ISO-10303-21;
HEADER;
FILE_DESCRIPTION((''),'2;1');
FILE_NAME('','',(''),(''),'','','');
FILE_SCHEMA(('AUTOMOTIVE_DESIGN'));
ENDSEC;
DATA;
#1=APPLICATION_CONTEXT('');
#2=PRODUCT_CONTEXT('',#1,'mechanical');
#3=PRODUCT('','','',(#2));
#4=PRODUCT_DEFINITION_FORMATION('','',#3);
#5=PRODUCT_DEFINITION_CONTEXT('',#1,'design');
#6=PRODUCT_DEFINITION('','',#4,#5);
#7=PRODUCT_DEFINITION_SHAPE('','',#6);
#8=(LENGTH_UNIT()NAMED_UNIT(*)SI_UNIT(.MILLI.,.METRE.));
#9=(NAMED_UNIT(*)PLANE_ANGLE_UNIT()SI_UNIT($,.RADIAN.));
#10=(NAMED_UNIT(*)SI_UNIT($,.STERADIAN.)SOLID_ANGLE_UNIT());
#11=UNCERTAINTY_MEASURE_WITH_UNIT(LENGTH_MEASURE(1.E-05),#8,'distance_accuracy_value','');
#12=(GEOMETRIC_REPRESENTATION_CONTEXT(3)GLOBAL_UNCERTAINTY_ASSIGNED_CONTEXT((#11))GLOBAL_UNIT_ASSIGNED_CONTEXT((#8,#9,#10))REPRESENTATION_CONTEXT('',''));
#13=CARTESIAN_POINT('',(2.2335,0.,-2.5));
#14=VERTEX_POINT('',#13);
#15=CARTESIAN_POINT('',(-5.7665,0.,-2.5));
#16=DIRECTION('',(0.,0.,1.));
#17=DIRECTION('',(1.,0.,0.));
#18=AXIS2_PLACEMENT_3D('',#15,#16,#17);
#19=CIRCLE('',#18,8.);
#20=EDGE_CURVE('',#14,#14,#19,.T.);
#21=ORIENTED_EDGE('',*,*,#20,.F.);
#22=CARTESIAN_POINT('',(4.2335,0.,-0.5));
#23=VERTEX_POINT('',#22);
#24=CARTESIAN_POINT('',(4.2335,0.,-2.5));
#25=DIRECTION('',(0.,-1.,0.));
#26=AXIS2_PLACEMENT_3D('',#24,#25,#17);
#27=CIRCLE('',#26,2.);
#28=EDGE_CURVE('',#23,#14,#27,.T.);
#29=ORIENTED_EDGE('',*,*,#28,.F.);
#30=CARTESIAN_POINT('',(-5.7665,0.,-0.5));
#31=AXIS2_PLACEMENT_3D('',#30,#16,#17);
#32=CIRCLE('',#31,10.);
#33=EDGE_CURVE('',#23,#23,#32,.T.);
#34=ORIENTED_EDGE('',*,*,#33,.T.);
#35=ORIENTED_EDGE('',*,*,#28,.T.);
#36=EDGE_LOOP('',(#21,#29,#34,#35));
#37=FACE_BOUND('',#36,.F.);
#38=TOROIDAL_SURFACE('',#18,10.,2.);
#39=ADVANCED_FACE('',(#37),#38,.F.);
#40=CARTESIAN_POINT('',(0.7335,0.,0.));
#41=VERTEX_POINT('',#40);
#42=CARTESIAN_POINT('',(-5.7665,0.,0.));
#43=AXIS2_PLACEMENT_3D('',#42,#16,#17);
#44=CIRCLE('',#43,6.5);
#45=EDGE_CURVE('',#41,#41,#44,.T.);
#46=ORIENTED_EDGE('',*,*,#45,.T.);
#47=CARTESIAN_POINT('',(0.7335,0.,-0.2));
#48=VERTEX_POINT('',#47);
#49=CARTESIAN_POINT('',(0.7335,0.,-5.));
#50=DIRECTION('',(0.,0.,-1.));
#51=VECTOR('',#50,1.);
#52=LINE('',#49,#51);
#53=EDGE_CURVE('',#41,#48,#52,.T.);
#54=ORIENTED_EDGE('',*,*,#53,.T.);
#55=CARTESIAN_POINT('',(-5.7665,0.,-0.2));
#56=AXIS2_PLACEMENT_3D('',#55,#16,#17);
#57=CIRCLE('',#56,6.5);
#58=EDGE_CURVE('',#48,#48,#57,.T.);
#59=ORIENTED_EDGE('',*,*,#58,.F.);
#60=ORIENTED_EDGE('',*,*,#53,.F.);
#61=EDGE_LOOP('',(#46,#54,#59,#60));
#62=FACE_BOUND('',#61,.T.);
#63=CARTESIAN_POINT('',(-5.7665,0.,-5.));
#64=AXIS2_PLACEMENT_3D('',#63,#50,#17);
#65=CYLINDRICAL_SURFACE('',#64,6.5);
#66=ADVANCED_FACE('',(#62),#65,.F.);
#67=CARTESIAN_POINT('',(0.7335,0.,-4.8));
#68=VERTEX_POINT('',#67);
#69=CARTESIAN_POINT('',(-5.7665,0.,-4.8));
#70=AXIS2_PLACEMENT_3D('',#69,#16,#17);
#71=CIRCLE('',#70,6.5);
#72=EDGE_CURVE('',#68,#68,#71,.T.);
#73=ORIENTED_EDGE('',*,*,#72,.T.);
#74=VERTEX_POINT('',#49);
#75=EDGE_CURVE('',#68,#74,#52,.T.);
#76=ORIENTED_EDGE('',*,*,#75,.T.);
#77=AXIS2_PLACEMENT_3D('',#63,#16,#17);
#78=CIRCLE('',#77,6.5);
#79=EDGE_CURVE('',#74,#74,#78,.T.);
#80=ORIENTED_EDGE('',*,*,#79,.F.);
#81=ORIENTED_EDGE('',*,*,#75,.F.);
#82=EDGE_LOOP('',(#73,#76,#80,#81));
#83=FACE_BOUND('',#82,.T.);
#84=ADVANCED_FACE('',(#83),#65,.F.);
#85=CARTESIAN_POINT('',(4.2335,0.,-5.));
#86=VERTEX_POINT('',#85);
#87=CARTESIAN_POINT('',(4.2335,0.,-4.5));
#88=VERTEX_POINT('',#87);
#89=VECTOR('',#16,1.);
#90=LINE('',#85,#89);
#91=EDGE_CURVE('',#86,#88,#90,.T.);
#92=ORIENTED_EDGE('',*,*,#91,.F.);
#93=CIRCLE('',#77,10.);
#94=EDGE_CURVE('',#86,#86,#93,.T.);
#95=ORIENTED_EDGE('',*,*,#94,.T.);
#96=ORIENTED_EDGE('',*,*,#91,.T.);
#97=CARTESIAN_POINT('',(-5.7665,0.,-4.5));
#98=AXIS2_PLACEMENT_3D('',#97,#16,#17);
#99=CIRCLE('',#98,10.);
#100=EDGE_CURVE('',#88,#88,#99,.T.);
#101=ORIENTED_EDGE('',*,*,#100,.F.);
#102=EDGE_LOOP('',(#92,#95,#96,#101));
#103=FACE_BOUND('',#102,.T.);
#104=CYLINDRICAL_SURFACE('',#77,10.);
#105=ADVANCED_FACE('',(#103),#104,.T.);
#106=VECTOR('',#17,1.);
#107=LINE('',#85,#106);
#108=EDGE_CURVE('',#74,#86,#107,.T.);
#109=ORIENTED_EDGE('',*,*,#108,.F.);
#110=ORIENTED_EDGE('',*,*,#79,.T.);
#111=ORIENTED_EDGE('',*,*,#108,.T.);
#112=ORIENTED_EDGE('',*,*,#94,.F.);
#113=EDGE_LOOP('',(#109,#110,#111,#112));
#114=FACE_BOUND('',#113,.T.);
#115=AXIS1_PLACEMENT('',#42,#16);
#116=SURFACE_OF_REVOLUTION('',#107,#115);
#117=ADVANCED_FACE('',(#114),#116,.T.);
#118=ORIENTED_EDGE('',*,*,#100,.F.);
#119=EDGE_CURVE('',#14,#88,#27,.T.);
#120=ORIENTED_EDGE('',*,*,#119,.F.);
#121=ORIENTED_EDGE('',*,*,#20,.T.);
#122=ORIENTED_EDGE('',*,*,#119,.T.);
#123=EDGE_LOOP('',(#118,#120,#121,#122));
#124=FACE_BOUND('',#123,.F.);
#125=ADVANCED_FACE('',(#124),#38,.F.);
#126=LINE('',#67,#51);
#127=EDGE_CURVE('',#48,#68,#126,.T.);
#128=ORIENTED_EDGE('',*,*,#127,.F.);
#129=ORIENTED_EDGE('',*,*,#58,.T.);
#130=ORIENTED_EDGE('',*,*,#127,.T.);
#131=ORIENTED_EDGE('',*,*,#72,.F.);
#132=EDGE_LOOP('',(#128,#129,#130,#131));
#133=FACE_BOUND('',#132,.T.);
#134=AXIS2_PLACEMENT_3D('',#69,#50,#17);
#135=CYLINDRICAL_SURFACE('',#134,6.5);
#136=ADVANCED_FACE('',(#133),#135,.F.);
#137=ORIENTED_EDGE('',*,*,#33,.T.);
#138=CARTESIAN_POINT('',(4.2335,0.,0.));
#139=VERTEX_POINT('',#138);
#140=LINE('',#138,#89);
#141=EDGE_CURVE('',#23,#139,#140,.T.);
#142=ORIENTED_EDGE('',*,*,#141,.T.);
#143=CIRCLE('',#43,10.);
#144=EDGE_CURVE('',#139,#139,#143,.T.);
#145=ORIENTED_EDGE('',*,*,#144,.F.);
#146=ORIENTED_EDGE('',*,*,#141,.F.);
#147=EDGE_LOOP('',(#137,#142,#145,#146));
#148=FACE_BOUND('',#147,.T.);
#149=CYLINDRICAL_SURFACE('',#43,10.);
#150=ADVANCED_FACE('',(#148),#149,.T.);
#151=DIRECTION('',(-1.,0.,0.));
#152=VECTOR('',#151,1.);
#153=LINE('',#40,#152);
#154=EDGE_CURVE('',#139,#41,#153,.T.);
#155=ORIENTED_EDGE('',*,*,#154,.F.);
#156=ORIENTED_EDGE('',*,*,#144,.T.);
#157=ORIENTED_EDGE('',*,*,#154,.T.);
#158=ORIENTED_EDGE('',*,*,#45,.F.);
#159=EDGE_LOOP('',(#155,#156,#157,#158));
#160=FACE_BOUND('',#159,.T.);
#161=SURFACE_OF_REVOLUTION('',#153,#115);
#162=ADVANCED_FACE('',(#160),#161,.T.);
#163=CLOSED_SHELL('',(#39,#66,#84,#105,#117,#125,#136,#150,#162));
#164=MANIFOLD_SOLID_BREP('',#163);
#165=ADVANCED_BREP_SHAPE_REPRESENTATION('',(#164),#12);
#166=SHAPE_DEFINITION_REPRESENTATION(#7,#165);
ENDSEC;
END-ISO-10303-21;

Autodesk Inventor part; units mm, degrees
ref_plane "YZ Plane" through (0, 0, 0) normal (1, 0, 0) x (0, 1, 0)
ref_plane "XZ Plane" through (0, 0, 0) normal (0, 1, 0) x (-1, 0, 0)
ref_plane "XY Plane" through (0, 0, 0) normal (0, 0, 1) x (1, 0, 0)
sketch "Skizze1" plane through (0, 0, 0) normal (0, 0, 1) x (1, 0, 0)
  circle A0 centre (-5.7665, 0) radius 6.5 projected
  circle A1 centre (-5.7665, 0) radius 10
  point P0 (0, 0)
  dimension "d0" = 20
sketch "Skizze2" plane through (0, 0, 0) normal (1, 0, 0) x (0, 1, 0)
  line L0 (6.5, 0) -> (-6.5, 0) construction
  line L1 (10, 0) -> (-10, 0) construction
  line L2 (10, 0) -> (10, -0.5)
  arc A0 (10, -0.5) -> (8, -2.5) centre (10, -2.5) ccw
  line L3 (6.5, -4.8) -> (6.5, -0.2) construction
  line L4 (8, -2.5) -> (6.5, -2.5) construction
  line L5 (10, -5) -> (10, -4.5)
  arc A1 (8, -2.5) -> (10, -4.5) centre (10, -2.5) ccw
  line L6 (8, -2.5) -> (8, -1.525) construction
  line L7 (10, -0.5) -> (8.7772, -0.5) construction
  point P0 (0, 0)
  dimension "d4" = 1.5
ref_plane "Arbeitsebene1" through (-5.7665, 0, 0) normal (1, 0, 0) x (0, 1, 0)
sketch "Skizze3" plane through (-5.7665, 0, 0) normal (1, 0, 0) x (0, 1, 0)
  line L0 (10, 0) -> (10, -0.5) projected
  arc A0 (10, -0.5) -> (8, -2.5) centre (10, -2.5) ccw projected
  arc A1 (8, -2.5) -> (10, -4.5) centre (10, -2.5) ccw projected
  line L1 (10, -5) -> (10, -4.5) projected
  line L2 (10, -5) -> (6.5, -5)
  line L3 (6.5, -5) -> (6.5, 0)
  line L4 (6.5, 0) -> (10, 0)
  line L5 (6.5, -4.8) -> (6.5, -0.2)
  line L6 (6.3, -5) -> (-6.3, -5) projected
  point P0 (0, 0)
  dimension "d9" = 8
sweep "Sweeping2" add profiles "Skizze3" path "Skizze1" path curves A1
properties part number "Umlenkfläche" material "PC/ABS-Kunststoff, Umlenkrolle"
